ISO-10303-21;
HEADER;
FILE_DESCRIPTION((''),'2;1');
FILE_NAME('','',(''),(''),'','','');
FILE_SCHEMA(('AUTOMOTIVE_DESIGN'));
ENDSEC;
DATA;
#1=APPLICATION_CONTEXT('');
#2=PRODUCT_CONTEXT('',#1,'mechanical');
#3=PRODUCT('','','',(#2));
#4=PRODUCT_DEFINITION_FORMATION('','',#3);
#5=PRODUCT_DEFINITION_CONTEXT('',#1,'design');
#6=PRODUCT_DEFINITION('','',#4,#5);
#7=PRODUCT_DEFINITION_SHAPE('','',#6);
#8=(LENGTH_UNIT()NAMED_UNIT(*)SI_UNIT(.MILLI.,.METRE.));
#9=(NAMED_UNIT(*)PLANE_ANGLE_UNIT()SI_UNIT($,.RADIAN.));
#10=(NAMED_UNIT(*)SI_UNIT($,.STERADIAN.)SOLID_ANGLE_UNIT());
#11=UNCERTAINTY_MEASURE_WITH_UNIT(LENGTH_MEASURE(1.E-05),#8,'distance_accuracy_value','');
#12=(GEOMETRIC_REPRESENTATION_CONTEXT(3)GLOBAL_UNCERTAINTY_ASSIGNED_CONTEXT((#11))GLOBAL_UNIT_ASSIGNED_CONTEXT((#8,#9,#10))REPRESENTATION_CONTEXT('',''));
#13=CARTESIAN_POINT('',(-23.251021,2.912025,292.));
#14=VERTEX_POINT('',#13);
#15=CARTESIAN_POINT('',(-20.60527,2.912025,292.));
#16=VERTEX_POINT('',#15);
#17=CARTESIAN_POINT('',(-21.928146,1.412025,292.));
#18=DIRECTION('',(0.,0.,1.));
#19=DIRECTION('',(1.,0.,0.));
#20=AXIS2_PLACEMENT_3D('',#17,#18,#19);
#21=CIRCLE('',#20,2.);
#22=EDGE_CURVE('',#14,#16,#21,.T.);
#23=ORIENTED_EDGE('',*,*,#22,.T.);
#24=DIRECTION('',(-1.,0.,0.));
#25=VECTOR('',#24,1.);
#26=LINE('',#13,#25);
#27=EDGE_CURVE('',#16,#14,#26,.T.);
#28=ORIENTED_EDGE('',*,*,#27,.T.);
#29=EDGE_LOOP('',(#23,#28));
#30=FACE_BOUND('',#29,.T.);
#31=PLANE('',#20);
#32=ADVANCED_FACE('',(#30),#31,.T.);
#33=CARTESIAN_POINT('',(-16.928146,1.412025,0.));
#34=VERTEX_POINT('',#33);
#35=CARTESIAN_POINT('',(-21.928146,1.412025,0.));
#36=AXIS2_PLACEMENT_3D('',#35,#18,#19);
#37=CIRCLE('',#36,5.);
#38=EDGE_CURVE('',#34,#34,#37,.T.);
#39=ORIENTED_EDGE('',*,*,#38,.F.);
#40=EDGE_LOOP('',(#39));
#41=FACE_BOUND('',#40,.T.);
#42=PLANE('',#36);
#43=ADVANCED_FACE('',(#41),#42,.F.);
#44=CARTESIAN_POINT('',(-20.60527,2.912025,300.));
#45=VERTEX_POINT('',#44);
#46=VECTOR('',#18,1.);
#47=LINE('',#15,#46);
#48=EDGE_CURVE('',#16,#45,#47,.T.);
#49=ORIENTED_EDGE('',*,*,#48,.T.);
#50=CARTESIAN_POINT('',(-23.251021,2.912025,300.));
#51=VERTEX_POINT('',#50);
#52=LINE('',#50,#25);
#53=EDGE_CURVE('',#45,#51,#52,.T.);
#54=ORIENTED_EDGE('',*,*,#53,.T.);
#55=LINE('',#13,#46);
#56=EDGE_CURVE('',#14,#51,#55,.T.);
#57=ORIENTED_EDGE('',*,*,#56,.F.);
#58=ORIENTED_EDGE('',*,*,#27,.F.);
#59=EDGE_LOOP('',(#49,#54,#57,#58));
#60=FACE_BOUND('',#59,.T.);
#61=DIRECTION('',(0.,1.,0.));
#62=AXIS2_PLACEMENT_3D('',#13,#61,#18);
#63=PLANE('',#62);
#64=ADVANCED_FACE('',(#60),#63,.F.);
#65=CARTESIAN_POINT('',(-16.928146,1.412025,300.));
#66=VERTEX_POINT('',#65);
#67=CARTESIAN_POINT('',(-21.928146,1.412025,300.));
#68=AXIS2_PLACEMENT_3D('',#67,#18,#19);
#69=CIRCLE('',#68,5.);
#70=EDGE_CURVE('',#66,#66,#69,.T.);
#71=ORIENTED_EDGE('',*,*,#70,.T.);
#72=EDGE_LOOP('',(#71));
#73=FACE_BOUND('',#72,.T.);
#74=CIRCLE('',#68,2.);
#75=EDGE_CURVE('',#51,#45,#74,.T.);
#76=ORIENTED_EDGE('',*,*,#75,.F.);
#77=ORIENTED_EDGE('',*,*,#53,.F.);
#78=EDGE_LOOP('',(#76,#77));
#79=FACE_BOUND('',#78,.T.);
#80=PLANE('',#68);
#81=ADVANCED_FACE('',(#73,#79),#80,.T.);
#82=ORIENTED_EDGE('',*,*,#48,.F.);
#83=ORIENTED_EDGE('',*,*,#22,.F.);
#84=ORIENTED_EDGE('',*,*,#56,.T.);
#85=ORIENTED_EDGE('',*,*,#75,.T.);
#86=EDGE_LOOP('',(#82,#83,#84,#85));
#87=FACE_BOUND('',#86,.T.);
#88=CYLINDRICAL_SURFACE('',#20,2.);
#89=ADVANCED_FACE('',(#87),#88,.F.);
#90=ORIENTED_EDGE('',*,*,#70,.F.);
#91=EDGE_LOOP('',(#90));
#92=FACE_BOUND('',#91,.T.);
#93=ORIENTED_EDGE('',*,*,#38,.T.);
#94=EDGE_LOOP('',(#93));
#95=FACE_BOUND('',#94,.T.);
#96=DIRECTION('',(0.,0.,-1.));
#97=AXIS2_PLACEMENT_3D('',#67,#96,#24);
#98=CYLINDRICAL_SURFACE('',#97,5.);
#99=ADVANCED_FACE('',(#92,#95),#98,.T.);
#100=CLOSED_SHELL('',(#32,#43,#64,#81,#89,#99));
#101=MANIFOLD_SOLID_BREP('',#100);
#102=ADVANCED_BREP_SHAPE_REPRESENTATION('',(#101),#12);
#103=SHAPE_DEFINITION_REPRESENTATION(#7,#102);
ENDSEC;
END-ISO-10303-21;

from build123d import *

# Parameters (mm, degrees)
SKETCH1_R           = 5
BOSS_EXTRUDE1_DEPTH = 300
CUT_EXTRUDE2_DEPTH  = 8


with BuildPart() as part:
    # Sketch1 → Boss-Extrude1 (new body)
    with BuildSketch(Plane.XY):
        with Locations((-21.928145629, 1.412024527)):
            Circle(SKETCH1_R)
    extrude(amount=BOSS_EXTRUDE1_DEPTH)

    # Sketch3 → Cut-Extrude2 (cut)
    with BuildSketch(Plane.XY.offset(300)):
        with BuildLine():
            Line((-23.251021285, 2.912024527), (-20.605269974, 2.912024527))
            ThreePointArc((-20.605269974, 2.912024527), (-21.928145629, -0.587975473), (-23.251021285, 2.912024527))
        make_face()
    extrude(amount=-CUT_EXTRUDE2_DEPTH, mode=Mode.SUBTRACT)


solid = part.part
